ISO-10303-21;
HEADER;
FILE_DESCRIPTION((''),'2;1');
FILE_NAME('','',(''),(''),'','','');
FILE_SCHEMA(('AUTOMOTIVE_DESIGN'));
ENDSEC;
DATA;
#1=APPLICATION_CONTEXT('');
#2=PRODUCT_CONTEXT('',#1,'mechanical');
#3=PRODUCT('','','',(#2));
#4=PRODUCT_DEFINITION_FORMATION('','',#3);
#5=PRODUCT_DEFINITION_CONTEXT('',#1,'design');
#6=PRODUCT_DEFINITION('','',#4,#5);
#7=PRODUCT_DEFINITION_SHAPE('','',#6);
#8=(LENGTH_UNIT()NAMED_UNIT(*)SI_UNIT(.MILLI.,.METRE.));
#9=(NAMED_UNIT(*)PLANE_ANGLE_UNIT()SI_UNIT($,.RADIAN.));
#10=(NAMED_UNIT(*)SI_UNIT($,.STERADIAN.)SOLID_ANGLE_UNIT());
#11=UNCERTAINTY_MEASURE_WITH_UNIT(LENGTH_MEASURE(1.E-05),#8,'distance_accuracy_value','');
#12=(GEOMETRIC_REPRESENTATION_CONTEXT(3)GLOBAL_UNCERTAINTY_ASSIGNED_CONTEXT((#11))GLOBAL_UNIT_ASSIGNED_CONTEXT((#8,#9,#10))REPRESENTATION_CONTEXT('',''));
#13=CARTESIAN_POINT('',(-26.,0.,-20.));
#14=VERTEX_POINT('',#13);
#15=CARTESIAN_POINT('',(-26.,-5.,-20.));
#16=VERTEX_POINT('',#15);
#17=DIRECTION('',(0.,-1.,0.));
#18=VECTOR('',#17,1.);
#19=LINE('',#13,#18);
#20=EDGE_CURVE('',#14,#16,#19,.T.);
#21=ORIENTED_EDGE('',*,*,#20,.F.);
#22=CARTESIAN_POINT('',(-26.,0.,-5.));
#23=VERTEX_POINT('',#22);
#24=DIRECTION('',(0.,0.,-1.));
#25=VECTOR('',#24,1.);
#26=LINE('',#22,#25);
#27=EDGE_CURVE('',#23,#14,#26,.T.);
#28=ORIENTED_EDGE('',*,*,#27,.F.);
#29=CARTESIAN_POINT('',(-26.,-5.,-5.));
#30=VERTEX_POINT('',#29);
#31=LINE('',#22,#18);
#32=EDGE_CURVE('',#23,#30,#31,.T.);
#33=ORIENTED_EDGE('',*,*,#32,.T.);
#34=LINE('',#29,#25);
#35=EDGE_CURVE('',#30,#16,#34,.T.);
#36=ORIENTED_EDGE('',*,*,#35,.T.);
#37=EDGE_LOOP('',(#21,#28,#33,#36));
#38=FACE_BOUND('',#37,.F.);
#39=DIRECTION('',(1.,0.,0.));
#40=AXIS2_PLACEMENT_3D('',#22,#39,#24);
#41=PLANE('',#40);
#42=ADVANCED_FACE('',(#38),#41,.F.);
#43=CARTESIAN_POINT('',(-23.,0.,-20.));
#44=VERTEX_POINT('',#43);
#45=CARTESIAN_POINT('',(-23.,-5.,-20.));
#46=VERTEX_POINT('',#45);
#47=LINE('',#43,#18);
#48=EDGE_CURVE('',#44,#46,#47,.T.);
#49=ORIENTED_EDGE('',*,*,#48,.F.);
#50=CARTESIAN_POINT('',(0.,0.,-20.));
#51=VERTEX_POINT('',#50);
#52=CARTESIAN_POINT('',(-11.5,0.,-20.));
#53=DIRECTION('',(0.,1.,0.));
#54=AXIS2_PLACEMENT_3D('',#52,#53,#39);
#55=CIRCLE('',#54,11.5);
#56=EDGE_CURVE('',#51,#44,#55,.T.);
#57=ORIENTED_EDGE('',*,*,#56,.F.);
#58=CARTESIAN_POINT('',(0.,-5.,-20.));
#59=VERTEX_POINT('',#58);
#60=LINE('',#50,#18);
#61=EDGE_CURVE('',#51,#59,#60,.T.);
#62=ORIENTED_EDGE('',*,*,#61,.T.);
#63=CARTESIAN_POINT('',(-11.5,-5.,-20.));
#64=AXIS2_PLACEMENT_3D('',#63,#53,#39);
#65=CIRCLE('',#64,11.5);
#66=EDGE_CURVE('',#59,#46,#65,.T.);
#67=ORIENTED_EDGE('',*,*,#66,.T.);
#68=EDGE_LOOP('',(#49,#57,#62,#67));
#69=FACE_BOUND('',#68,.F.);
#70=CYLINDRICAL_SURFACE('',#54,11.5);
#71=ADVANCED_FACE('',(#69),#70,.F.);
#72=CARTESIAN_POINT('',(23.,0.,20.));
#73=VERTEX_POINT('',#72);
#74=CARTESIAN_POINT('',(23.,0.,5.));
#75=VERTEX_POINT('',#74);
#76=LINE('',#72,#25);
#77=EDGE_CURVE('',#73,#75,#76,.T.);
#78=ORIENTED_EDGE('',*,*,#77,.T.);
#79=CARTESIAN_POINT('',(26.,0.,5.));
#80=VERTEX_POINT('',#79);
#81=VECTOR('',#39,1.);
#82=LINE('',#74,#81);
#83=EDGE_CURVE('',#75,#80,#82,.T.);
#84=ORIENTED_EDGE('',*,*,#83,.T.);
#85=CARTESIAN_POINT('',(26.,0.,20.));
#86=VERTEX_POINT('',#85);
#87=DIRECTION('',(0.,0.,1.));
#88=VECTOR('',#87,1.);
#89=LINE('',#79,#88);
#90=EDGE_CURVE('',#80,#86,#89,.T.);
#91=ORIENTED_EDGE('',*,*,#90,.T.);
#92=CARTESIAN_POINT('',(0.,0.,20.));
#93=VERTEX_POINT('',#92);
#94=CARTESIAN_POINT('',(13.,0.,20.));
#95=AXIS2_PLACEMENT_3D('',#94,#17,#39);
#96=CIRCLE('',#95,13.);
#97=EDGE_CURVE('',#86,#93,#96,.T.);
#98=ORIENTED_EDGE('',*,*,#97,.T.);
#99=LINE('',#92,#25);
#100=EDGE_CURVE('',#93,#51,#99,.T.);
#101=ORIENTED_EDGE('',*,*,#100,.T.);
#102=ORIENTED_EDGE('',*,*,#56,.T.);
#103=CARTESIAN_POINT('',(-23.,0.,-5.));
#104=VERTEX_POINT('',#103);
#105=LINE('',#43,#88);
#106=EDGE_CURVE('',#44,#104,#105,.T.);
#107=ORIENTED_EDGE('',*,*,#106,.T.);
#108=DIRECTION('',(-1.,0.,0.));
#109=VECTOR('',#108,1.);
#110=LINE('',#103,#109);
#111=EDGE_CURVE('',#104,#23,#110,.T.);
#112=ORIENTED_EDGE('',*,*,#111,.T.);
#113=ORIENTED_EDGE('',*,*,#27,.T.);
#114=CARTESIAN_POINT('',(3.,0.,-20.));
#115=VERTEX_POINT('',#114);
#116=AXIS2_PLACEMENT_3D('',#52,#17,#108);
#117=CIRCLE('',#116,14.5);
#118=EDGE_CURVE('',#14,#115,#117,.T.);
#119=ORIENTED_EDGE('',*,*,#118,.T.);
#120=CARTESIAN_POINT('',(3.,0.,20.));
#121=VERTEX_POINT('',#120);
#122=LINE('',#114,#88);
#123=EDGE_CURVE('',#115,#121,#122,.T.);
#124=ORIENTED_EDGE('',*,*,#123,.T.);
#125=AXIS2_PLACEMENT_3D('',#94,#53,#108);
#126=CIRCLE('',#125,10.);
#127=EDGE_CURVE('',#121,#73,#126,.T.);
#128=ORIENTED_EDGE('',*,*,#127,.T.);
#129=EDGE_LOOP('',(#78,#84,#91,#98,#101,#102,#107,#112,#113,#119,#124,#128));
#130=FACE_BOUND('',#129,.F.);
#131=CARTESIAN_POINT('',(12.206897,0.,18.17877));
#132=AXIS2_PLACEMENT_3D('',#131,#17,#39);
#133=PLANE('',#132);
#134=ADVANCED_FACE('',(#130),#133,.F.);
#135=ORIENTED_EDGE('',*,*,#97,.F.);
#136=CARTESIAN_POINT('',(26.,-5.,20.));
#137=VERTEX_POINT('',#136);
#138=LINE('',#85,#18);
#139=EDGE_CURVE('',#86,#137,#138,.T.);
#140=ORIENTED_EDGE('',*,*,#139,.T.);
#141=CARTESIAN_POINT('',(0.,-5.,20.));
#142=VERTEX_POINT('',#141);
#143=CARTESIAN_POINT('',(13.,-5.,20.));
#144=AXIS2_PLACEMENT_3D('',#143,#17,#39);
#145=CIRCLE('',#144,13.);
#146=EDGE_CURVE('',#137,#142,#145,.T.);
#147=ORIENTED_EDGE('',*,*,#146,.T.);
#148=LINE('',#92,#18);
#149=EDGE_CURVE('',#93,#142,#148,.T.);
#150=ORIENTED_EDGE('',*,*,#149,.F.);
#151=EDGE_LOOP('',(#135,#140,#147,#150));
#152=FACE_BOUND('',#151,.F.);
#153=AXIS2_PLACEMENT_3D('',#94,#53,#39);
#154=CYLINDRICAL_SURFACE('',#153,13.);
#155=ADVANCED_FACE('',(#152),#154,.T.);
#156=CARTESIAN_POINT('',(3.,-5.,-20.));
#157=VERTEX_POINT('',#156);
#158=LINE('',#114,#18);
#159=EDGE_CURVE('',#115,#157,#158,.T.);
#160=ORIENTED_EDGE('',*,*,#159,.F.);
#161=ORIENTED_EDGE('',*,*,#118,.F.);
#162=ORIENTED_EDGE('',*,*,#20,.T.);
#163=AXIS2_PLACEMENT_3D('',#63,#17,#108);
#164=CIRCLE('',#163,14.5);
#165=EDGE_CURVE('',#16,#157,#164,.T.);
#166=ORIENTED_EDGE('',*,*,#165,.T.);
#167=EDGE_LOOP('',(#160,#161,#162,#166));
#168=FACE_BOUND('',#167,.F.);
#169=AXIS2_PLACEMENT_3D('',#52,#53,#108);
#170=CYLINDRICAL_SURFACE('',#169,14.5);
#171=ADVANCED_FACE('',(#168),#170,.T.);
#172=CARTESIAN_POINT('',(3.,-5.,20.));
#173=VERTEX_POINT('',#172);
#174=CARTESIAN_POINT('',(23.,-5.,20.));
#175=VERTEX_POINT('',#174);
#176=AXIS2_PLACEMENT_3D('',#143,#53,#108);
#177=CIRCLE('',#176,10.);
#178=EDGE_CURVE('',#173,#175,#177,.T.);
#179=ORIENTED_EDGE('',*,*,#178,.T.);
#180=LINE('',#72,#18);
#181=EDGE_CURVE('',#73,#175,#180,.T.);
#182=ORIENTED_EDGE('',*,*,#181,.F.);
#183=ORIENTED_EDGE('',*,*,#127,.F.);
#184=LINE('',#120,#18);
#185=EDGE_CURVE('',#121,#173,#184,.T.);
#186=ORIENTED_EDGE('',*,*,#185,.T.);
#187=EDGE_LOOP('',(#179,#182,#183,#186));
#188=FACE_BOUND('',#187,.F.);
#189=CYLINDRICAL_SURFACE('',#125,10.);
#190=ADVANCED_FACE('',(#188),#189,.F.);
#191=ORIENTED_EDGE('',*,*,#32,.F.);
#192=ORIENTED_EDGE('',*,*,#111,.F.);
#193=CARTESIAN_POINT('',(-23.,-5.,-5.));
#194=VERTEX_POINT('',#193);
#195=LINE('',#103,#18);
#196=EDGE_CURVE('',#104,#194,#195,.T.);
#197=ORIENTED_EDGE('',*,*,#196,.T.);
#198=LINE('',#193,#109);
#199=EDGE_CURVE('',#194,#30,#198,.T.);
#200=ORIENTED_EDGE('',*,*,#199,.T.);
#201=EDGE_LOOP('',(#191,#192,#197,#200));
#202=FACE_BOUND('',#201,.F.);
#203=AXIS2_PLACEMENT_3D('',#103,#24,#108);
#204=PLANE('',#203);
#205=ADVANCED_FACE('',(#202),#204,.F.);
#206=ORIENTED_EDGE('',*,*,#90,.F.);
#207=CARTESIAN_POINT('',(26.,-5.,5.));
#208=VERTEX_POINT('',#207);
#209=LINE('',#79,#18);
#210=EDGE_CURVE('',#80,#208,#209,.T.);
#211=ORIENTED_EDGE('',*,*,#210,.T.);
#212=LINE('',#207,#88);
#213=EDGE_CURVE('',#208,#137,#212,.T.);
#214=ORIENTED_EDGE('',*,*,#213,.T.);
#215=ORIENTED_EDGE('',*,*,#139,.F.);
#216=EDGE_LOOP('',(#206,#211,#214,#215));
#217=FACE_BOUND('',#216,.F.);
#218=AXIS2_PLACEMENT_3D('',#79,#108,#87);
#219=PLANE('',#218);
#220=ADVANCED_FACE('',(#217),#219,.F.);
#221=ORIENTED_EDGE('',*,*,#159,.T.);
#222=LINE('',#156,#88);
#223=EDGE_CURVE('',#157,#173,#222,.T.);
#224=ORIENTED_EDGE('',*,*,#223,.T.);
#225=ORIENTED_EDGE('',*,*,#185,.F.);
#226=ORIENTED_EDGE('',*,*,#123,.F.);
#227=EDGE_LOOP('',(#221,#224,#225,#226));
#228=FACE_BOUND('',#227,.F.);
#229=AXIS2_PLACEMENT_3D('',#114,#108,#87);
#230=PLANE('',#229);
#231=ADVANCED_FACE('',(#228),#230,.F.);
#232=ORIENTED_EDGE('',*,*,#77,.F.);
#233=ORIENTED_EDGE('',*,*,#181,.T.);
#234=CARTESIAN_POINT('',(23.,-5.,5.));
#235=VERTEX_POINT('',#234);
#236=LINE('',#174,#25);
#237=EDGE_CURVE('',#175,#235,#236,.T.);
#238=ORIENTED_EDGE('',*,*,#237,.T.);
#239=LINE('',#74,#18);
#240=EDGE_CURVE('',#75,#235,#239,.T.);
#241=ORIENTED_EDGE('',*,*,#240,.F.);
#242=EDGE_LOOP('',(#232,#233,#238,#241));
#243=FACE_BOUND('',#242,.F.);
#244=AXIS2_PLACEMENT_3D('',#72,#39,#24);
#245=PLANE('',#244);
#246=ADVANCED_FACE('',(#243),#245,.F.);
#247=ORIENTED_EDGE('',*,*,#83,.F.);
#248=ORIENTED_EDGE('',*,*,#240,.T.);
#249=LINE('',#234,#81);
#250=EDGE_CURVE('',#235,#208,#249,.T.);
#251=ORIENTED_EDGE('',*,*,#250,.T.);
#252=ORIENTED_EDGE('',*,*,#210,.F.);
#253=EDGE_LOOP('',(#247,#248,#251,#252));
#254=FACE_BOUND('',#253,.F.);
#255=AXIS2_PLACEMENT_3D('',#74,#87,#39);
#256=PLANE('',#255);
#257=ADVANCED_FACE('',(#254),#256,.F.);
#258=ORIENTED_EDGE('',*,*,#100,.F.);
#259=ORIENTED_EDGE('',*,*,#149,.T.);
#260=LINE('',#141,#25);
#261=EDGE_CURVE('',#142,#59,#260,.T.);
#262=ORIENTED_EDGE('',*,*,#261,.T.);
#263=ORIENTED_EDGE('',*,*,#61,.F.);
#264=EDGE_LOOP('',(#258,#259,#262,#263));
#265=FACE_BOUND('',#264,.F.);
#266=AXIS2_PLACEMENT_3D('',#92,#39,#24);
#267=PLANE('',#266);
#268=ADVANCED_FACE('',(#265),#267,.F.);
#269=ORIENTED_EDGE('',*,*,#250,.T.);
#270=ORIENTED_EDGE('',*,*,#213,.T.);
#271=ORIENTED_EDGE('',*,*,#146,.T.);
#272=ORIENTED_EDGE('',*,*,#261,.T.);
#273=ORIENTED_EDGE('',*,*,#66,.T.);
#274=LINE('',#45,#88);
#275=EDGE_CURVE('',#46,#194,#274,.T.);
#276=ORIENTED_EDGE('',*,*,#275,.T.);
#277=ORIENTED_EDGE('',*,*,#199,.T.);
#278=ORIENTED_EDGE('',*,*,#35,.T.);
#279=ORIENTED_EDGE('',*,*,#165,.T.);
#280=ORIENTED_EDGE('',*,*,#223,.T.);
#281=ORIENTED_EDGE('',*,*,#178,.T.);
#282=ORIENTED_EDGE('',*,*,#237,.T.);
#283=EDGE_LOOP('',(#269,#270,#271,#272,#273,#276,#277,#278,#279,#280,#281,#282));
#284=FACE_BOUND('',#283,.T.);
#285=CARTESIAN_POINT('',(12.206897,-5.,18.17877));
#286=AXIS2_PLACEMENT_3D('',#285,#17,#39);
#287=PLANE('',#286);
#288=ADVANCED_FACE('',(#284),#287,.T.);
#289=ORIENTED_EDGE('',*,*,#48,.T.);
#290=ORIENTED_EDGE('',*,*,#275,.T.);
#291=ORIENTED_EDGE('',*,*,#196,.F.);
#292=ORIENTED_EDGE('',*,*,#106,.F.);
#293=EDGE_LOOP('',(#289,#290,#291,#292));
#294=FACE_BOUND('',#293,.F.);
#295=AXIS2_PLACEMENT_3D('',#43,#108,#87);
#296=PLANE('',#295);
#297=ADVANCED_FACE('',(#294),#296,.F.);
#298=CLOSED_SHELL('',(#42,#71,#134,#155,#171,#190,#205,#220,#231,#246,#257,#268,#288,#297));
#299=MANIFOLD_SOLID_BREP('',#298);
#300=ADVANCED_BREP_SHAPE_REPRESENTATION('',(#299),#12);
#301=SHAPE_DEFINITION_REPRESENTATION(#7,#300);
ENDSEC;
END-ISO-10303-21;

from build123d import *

# Parameters (mm, degrees)
F2_DEPTH = 5


with BuildPart() as f2:
    # F0 (on Front) → F2 (new body)
    with BuildSketch(Plane.XZ):
        with BuildLine():
            Line((23, 20), (23, 5))
            Line((23, 5), (26, 5))
            Line((26, 5), (26, 20))
            ThreePointArc((26, 20), (13, 33), (0, 20))
            Line((0, 20), (0, 0))
            Line((0, 0), (3, 0))
            Line((3, 0), (3, 20))
            ThreePointArc((3, 20), (13, 30), (23, 20))
        make_face()
        with BuildLine():
            Line((3, -20), (3, 0))
            Line((3, 0), (0, 0))
            Line((0, 0), (0, -20))
            ThreePointArc((0, -20), (-11.5, -31.5), (-23, -20))
            Line((-23, -20), (-23, -5))
            Line((-23, -5), (-26, -5))
            Line((-26, -5), (-26, -20))
            ThreePointArc((-26, -20), (-11.5, -34.5), (3, -20))
        make_face()
    extrude(amount=F2_DEPTH)


solid = f2.part
